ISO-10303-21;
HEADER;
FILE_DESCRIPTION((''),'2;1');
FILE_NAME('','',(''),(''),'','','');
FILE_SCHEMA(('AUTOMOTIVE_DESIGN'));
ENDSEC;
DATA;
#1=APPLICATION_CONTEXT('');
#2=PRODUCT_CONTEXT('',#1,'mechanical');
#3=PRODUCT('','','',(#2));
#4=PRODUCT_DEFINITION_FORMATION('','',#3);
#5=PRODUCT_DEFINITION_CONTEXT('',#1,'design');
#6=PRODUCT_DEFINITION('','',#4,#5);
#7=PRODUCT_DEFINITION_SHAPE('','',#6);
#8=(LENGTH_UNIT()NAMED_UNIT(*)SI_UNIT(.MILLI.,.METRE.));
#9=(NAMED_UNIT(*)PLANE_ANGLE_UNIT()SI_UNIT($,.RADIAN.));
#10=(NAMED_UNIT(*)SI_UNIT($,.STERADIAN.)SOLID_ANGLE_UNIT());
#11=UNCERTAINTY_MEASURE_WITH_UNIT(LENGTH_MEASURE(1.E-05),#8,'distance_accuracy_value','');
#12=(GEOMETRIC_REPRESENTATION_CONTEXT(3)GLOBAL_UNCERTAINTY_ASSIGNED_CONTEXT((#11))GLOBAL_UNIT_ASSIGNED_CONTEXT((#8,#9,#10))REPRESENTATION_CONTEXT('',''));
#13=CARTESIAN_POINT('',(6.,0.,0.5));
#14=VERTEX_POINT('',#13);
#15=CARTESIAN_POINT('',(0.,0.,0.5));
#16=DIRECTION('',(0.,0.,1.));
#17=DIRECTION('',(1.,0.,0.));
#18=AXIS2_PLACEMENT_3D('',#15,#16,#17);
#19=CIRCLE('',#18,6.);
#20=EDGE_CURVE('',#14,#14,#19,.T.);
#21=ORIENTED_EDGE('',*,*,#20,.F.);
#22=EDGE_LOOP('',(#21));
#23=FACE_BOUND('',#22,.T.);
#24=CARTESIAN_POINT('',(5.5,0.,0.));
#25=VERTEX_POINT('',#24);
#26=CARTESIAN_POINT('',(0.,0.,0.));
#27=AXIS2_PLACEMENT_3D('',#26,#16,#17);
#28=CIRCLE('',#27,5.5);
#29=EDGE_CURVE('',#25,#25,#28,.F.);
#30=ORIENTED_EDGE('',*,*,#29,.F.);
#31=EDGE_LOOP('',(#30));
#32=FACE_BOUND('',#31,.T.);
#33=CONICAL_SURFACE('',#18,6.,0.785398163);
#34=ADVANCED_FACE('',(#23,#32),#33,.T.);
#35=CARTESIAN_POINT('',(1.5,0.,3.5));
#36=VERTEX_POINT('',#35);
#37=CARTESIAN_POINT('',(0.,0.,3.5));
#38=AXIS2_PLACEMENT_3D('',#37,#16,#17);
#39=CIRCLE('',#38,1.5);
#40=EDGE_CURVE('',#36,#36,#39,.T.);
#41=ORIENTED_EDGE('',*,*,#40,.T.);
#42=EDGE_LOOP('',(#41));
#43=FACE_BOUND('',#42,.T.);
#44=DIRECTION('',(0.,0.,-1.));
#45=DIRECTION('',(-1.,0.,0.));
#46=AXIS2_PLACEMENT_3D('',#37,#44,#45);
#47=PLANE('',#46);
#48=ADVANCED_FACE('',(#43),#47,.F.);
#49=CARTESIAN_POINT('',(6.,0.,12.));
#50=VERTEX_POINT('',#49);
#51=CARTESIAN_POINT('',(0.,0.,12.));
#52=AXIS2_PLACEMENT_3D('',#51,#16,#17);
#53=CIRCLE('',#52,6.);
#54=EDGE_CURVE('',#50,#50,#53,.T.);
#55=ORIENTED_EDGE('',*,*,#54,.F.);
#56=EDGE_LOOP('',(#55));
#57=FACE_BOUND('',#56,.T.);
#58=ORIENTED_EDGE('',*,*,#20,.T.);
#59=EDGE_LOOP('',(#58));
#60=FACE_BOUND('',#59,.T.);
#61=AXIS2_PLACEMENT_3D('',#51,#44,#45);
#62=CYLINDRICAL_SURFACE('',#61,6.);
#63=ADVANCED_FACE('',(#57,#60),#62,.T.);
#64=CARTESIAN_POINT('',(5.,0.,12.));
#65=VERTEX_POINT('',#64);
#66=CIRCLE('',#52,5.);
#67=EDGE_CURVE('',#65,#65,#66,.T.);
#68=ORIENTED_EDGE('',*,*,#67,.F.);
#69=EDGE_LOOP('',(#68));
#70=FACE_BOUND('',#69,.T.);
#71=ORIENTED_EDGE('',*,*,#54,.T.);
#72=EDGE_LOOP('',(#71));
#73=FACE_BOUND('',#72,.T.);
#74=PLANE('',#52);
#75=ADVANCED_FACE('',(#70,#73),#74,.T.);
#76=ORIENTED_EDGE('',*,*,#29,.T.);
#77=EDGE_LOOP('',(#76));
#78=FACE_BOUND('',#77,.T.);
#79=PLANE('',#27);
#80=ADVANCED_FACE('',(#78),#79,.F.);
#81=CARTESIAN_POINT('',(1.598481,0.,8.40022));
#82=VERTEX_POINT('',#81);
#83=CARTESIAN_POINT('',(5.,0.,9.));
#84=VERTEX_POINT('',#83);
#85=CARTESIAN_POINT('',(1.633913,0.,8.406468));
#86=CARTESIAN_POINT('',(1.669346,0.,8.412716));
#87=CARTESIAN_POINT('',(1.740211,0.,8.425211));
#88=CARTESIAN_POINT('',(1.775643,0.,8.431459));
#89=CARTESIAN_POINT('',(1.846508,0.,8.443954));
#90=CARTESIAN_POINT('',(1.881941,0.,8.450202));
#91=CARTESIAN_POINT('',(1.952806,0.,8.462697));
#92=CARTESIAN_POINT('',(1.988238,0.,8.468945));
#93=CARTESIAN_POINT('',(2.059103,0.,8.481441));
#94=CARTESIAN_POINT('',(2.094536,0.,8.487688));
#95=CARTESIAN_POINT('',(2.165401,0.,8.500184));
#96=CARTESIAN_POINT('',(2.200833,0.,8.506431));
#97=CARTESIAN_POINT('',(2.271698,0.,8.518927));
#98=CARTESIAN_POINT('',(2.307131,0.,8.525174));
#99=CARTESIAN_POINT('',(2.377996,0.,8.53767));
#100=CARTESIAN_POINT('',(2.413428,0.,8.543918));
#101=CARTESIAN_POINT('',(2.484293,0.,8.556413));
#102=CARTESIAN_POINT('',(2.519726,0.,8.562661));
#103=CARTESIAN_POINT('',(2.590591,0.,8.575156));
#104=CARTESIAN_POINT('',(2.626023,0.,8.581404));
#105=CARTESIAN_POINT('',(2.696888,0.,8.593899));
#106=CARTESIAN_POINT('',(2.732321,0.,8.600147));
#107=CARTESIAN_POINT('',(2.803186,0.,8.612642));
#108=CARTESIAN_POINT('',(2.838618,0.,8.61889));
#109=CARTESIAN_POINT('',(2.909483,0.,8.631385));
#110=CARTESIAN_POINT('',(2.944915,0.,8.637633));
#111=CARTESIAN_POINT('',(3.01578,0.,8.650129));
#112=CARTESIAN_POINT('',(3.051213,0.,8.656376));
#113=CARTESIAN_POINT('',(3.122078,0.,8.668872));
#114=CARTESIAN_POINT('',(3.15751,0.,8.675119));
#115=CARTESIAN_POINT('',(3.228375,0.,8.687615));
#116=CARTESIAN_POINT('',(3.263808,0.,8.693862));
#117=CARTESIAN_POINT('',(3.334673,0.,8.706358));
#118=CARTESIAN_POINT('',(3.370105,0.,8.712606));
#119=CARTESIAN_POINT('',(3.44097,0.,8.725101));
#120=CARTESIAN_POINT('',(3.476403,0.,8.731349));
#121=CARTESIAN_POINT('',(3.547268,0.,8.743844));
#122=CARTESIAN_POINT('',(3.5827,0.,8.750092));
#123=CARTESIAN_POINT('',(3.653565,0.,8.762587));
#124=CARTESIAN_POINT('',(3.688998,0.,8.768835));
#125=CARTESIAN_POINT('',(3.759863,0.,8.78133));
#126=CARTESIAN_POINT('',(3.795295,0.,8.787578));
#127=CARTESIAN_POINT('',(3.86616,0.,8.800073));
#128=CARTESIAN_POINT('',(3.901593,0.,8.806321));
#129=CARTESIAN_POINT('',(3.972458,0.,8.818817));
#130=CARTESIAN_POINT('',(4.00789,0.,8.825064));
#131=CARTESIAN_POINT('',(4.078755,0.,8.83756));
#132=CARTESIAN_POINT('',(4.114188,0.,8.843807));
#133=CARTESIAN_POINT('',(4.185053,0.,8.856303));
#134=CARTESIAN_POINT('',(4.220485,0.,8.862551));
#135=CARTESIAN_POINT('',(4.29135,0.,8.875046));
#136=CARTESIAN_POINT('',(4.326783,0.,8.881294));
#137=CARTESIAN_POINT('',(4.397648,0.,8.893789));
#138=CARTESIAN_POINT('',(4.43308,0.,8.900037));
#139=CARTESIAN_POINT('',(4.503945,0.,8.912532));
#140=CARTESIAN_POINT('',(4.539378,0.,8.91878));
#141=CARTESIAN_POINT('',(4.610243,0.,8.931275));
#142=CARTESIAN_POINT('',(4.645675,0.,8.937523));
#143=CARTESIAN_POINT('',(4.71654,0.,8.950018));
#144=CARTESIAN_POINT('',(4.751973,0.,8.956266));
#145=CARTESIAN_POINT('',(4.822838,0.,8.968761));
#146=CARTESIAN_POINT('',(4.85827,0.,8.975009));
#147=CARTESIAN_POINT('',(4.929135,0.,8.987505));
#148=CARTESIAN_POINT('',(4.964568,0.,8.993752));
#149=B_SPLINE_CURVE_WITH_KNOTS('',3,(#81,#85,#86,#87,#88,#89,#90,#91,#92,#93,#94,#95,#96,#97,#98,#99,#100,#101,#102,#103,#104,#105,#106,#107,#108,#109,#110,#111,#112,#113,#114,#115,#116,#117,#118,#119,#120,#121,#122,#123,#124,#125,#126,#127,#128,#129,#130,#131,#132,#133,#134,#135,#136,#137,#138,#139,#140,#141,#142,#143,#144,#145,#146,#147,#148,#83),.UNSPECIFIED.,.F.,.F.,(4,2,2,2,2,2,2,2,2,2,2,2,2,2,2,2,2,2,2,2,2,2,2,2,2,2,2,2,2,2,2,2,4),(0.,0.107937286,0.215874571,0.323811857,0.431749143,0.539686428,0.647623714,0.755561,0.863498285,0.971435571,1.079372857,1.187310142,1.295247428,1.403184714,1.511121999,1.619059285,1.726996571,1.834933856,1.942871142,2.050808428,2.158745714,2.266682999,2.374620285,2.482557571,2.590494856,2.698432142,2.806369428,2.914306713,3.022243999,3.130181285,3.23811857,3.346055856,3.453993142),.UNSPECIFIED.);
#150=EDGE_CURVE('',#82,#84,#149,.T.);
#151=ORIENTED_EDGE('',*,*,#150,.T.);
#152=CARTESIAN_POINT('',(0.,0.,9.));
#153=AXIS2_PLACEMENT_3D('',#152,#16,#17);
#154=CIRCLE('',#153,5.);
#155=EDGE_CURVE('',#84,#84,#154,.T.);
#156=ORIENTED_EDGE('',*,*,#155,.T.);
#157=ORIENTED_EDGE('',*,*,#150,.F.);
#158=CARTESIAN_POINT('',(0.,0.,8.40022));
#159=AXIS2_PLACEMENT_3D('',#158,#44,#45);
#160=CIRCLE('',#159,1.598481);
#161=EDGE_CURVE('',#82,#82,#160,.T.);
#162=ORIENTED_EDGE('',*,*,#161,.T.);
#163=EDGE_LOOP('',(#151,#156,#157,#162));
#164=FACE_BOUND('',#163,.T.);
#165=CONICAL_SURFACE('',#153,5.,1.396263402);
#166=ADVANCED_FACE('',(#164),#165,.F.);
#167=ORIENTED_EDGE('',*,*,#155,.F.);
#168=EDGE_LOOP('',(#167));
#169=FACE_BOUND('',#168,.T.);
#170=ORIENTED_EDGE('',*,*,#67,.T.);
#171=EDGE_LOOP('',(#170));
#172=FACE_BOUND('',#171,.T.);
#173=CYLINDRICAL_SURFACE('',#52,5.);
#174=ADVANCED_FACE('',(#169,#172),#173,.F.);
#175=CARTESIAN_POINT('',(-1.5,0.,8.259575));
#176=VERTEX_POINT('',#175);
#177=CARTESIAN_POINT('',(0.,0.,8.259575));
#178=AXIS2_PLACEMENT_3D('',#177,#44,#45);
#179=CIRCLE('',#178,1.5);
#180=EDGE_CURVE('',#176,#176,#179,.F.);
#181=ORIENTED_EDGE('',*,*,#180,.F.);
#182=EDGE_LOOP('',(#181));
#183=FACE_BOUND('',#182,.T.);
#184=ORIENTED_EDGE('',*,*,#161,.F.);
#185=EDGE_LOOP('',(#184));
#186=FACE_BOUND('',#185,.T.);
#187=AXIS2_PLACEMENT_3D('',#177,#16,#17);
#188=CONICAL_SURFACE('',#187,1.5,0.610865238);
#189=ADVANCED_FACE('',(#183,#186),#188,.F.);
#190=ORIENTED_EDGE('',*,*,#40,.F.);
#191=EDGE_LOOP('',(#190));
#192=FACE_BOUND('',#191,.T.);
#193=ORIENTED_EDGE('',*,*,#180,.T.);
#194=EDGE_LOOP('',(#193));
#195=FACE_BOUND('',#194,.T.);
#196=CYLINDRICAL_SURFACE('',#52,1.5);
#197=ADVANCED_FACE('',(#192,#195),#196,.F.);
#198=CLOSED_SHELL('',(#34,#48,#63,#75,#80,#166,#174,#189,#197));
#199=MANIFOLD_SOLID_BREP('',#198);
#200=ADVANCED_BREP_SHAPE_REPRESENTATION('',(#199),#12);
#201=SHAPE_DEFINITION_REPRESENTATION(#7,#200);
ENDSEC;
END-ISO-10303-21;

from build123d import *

# Parameters (mm, degrees)
SKETCH2_R           = 6
BOSS_EXTRUDE1_DEPTH = 12
CHAMFER1_SIZE       = 0.1
CHAMFER1_SIZE2      = 0.123280305
CHAMFER2_SIZE       = 0.5


with BuildPart() as part:
    # Sketch2 → Boss-Extrude1 (new body)
    with BuildSketch(Plane.XY):
        Circle(SKETCH2_R)
    extrude(amount=BOSS_EXTRUDE1_DEPTH)

    # Sketch3 → Cut-Revolve1 (revolve, cut)
    with BuildSketch(Plane(origin=(0, 0, 0), x_dir=(1, 0, 0), z_dir=(0, 1, 0))):
        Polygon((0, -12), (0, -3.5), (1.5, -3.5), (1.5, -8.382855568), (5, -9), (5, -12), align=None)
    revolve(axis=Axis((0, 0, 12), (0, 0, -1)), mode=Mode.SUBTRACT)

    # Chamfer1
    chamfer1_edges = [part.edges().sort_by_distance(p)[0] for p in [
        (-1.5, 0, 8.382855568),
    ]]
    chamfer1_side = [part.faces().sort_by_distance(p)[0] for p in [
        (-3.25, 0, 8.691427784),
    ]]
    chamfer(chamfer1_edges, length=CHAMFER1_SIZE, length2=CHAMFER1_SIZE2, reference=chamfer1_side[0])

    # Chamfer2
    chamfer2_edges = [part.edges().sort_by_distance(p)[0] for p in [
        (-6, 0, 0),
    ]]
    chamfer(chamfer2_edges, length=CHAMFER2_SIZE)


solid = part.part
